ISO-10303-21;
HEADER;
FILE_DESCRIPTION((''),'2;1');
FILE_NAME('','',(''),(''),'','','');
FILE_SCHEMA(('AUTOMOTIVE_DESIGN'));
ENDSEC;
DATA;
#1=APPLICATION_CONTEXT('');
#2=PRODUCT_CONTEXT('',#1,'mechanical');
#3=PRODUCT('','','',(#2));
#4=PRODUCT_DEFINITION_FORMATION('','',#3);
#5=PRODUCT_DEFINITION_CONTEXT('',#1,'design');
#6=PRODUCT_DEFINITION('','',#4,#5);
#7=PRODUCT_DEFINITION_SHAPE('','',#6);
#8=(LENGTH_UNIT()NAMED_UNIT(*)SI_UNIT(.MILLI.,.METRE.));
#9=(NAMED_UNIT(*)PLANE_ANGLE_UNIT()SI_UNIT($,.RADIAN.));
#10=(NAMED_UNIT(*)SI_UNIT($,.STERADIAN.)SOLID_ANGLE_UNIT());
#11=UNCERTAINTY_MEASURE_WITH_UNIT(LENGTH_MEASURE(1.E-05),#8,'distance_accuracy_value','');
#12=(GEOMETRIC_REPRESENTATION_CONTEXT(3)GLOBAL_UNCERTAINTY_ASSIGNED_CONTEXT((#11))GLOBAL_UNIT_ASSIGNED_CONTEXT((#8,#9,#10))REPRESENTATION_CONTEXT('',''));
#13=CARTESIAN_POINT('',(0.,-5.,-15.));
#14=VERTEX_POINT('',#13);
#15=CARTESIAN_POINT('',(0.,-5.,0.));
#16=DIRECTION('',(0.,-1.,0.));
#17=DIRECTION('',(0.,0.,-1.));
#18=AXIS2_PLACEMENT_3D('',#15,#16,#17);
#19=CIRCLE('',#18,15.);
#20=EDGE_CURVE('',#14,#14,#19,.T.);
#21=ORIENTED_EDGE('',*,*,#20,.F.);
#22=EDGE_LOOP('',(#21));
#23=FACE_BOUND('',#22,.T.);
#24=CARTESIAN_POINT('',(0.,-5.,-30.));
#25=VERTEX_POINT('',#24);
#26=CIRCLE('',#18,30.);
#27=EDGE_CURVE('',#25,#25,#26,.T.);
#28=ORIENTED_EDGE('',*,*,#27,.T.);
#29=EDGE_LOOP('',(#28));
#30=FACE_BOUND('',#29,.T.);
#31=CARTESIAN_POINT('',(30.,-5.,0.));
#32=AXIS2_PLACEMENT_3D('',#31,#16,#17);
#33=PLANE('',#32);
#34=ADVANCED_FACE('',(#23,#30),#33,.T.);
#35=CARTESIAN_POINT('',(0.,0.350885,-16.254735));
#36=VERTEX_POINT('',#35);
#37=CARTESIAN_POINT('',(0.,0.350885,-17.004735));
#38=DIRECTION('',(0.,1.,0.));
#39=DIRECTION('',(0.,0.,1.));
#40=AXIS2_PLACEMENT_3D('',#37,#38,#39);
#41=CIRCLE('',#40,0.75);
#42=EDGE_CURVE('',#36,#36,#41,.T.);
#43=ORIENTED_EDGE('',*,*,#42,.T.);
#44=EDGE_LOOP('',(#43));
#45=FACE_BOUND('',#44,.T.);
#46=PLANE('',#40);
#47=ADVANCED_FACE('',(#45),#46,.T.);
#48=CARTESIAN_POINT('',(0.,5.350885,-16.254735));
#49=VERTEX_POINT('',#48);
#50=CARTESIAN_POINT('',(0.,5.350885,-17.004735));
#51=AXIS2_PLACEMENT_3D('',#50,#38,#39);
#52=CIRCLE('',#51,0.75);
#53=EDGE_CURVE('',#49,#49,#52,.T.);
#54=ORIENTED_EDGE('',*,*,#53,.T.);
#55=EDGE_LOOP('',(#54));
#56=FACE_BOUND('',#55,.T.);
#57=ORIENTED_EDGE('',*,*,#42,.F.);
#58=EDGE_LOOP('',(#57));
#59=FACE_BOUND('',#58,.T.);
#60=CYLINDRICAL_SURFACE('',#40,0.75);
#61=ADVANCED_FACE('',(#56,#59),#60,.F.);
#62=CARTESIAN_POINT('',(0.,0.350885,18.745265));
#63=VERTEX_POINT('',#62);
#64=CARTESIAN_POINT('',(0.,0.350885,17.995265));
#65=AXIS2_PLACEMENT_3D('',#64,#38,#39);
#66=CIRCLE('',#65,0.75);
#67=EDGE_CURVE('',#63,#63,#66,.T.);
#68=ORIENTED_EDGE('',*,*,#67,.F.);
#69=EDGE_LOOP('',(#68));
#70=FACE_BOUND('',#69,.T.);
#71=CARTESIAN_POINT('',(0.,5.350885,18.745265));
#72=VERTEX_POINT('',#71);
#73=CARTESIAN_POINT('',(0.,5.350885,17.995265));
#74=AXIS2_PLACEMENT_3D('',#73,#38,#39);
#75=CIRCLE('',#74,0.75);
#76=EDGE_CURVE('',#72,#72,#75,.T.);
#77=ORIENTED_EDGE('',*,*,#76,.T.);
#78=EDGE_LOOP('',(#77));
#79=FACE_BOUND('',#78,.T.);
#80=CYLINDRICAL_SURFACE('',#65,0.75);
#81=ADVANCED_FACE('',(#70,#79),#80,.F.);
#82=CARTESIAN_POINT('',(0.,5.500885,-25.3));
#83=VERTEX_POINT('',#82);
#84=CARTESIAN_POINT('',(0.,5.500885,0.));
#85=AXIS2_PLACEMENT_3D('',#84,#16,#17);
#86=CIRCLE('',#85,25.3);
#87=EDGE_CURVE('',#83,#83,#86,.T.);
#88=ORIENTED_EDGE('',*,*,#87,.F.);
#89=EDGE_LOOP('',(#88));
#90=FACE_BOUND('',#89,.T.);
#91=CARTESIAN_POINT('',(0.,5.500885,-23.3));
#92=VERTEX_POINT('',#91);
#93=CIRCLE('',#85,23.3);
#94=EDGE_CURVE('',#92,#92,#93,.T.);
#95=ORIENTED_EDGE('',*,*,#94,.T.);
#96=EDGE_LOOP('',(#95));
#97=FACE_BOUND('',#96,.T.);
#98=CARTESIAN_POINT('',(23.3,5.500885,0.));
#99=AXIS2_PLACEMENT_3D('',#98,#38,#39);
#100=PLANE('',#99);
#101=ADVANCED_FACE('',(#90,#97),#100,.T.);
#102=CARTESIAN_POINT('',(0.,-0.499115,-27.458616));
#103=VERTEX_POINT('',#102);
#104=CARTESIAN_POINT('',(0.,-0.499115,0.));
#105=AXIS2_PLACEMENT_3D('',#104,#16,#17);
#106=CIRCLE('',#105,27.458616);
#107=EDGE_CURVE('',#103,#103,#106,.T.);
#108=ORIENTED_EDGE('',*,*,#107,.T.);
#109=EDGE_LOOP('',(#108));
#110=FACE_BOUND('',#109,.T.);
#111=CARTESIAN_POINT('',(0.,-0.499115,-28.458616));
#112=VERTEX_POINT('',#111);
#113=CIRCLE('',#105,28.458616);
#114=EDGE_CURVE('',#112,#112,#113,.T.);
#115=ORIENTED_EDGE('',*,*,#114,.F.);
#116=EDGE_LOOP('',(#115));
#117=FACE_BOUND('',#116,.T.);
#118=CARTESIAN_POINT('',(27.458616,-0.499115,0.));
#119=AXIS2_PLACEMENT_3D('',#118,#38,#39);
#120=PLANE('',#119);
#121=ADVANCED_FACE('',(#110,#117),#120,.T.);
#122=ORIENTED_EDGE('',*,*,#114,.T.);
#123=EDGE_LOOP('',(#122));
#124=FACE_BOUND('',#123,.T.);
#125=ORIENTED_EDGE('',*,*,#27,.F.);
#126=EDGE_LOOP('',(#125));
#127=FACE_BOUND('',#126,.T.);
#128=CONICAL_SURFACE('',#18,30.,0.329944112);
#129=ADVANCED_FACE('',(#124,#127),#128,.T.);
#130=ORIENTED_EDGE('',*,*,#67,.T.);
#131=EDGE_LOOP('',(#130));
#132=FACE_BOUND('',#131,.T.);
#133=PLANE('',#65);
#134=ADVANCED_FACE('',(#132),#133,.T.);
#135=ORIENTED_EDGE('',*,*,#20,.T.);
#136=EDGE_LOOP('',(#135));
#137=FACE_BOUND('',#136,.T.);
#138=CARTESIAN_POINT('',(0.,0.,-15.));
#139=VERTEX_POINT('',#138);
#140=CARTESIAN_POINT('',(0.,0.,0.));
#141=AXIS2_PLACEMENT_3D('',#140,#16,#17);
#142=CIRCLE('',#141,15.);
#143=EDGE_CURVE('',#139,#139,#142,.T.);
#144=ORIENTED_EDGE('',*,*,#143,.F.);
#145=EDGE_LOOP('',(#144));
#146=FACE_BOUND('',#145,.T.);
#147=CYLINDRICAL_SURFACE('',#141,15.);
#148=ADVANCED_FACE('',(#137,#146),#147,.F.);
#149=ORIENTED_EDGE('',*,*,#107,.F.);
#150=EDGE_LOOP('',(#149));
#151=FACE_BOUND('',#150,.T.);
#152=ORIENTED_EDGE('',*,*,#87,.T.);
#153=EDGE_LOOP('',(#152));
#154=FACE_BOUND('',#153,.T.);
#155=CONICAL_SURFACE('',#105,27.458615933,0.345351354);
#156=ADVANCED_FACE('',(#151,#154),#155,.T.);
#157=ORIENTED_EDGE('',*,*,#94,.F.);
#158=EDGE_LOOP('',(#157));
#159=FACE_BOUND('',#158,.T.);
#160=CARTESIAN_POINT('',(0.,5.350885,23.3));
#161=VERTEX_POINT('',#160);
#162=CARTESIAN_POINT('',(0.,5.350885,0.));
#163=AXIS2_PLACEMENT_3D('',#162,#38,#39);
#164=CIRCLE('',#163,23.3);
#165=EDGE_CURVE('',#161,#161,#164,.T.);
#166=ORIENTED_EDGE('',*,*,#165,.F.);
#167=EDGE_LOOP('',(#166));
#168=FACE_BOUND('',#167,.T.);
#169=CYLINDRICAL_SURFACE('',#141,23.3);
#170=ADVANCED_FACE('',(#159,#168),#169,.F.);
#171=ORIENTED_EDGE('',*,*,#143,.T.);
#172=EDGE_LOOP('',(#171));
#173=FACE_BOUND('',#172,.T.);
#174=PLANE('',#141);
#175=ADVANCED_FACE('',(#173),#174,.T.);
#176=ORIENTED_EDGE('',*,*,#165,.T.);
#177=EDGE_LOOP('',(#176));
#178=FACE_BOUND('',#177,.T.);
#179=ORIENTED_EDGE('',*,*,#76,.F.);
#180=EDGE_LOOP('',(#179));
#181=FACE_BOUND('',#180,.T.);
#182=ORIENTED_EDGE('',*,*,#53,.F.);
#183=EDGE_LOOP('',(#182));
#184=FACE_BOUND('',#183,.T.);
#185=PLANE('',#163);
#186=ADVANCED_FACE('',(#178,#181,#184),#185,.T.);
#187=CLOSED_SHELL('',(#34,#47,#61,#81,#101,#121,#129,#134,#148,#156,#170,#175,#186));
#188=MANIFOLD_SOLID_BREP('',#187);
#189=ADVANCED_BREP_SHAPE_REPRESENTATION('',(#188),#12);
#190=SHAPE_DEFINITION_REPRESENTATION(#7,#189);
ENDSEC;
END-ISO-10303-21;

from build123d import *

# Parameters (mm, degrees)
SKETCH2_R           = 23.5
BOSS_EXTRUDE1_DEPTH = 0.5
SKETCH3_R           = 0.75
CUT_EXTRUDE1_DEPTH  = 5


with BuildPart() as part:
    # Sketch1 → Revolve1 (revolve)
    with BuildSketch(Plane.XY, mode=Mode.PRIVATE) as revolve1_sk:
        Polygon((0, 0), (0, 4.850885244), (23.3, 4.850885244), (23.3, 5.500885244), (25.3, 5.500885244), (27.458615933, -0.499114756), (28.458615933, -0.499114756), (30, -5), (15, -5), (15, 0), align=None)
    revolve(revolve1_sk.sketch.rotate(Axis((0, 0, 0), (0, 1, 0)), 90), axis=Axis((0, 0, 0), (0, 1, 0)))

    # Sketch2 → Boss-Extrude1 (add)
    with BuildSketch(Plane(origin=(0, 4.850885244, 0), x_dir=(1, 0, 0), z_dir=(0, 1, 0))):
        Circle(SKETCH2_R)
    extrude(amount=BOSS_EXTRUDE1_DEPTH)

    # Sketch3 → Cut-Extrude1 (cut)
    with BuildSketch(Plane(origin=(0, 5.350885244, 0), x_dir=(1, 0, 0), z_dir=(0, 1, 0))):
        with Locations(Location((0, 17.004734632, 0), (0, 0, 270))):
            Circle(SKETCH3_R)
        with Locations(Location((0, -17.995265368, 0), (0, 0, 270))):
            Circle(SKETCH3_R)
    extrude(amount=-CUT_EXTRUDE1_DEPTH, mode=Mode.SUBTRACT)


solid = part.part
